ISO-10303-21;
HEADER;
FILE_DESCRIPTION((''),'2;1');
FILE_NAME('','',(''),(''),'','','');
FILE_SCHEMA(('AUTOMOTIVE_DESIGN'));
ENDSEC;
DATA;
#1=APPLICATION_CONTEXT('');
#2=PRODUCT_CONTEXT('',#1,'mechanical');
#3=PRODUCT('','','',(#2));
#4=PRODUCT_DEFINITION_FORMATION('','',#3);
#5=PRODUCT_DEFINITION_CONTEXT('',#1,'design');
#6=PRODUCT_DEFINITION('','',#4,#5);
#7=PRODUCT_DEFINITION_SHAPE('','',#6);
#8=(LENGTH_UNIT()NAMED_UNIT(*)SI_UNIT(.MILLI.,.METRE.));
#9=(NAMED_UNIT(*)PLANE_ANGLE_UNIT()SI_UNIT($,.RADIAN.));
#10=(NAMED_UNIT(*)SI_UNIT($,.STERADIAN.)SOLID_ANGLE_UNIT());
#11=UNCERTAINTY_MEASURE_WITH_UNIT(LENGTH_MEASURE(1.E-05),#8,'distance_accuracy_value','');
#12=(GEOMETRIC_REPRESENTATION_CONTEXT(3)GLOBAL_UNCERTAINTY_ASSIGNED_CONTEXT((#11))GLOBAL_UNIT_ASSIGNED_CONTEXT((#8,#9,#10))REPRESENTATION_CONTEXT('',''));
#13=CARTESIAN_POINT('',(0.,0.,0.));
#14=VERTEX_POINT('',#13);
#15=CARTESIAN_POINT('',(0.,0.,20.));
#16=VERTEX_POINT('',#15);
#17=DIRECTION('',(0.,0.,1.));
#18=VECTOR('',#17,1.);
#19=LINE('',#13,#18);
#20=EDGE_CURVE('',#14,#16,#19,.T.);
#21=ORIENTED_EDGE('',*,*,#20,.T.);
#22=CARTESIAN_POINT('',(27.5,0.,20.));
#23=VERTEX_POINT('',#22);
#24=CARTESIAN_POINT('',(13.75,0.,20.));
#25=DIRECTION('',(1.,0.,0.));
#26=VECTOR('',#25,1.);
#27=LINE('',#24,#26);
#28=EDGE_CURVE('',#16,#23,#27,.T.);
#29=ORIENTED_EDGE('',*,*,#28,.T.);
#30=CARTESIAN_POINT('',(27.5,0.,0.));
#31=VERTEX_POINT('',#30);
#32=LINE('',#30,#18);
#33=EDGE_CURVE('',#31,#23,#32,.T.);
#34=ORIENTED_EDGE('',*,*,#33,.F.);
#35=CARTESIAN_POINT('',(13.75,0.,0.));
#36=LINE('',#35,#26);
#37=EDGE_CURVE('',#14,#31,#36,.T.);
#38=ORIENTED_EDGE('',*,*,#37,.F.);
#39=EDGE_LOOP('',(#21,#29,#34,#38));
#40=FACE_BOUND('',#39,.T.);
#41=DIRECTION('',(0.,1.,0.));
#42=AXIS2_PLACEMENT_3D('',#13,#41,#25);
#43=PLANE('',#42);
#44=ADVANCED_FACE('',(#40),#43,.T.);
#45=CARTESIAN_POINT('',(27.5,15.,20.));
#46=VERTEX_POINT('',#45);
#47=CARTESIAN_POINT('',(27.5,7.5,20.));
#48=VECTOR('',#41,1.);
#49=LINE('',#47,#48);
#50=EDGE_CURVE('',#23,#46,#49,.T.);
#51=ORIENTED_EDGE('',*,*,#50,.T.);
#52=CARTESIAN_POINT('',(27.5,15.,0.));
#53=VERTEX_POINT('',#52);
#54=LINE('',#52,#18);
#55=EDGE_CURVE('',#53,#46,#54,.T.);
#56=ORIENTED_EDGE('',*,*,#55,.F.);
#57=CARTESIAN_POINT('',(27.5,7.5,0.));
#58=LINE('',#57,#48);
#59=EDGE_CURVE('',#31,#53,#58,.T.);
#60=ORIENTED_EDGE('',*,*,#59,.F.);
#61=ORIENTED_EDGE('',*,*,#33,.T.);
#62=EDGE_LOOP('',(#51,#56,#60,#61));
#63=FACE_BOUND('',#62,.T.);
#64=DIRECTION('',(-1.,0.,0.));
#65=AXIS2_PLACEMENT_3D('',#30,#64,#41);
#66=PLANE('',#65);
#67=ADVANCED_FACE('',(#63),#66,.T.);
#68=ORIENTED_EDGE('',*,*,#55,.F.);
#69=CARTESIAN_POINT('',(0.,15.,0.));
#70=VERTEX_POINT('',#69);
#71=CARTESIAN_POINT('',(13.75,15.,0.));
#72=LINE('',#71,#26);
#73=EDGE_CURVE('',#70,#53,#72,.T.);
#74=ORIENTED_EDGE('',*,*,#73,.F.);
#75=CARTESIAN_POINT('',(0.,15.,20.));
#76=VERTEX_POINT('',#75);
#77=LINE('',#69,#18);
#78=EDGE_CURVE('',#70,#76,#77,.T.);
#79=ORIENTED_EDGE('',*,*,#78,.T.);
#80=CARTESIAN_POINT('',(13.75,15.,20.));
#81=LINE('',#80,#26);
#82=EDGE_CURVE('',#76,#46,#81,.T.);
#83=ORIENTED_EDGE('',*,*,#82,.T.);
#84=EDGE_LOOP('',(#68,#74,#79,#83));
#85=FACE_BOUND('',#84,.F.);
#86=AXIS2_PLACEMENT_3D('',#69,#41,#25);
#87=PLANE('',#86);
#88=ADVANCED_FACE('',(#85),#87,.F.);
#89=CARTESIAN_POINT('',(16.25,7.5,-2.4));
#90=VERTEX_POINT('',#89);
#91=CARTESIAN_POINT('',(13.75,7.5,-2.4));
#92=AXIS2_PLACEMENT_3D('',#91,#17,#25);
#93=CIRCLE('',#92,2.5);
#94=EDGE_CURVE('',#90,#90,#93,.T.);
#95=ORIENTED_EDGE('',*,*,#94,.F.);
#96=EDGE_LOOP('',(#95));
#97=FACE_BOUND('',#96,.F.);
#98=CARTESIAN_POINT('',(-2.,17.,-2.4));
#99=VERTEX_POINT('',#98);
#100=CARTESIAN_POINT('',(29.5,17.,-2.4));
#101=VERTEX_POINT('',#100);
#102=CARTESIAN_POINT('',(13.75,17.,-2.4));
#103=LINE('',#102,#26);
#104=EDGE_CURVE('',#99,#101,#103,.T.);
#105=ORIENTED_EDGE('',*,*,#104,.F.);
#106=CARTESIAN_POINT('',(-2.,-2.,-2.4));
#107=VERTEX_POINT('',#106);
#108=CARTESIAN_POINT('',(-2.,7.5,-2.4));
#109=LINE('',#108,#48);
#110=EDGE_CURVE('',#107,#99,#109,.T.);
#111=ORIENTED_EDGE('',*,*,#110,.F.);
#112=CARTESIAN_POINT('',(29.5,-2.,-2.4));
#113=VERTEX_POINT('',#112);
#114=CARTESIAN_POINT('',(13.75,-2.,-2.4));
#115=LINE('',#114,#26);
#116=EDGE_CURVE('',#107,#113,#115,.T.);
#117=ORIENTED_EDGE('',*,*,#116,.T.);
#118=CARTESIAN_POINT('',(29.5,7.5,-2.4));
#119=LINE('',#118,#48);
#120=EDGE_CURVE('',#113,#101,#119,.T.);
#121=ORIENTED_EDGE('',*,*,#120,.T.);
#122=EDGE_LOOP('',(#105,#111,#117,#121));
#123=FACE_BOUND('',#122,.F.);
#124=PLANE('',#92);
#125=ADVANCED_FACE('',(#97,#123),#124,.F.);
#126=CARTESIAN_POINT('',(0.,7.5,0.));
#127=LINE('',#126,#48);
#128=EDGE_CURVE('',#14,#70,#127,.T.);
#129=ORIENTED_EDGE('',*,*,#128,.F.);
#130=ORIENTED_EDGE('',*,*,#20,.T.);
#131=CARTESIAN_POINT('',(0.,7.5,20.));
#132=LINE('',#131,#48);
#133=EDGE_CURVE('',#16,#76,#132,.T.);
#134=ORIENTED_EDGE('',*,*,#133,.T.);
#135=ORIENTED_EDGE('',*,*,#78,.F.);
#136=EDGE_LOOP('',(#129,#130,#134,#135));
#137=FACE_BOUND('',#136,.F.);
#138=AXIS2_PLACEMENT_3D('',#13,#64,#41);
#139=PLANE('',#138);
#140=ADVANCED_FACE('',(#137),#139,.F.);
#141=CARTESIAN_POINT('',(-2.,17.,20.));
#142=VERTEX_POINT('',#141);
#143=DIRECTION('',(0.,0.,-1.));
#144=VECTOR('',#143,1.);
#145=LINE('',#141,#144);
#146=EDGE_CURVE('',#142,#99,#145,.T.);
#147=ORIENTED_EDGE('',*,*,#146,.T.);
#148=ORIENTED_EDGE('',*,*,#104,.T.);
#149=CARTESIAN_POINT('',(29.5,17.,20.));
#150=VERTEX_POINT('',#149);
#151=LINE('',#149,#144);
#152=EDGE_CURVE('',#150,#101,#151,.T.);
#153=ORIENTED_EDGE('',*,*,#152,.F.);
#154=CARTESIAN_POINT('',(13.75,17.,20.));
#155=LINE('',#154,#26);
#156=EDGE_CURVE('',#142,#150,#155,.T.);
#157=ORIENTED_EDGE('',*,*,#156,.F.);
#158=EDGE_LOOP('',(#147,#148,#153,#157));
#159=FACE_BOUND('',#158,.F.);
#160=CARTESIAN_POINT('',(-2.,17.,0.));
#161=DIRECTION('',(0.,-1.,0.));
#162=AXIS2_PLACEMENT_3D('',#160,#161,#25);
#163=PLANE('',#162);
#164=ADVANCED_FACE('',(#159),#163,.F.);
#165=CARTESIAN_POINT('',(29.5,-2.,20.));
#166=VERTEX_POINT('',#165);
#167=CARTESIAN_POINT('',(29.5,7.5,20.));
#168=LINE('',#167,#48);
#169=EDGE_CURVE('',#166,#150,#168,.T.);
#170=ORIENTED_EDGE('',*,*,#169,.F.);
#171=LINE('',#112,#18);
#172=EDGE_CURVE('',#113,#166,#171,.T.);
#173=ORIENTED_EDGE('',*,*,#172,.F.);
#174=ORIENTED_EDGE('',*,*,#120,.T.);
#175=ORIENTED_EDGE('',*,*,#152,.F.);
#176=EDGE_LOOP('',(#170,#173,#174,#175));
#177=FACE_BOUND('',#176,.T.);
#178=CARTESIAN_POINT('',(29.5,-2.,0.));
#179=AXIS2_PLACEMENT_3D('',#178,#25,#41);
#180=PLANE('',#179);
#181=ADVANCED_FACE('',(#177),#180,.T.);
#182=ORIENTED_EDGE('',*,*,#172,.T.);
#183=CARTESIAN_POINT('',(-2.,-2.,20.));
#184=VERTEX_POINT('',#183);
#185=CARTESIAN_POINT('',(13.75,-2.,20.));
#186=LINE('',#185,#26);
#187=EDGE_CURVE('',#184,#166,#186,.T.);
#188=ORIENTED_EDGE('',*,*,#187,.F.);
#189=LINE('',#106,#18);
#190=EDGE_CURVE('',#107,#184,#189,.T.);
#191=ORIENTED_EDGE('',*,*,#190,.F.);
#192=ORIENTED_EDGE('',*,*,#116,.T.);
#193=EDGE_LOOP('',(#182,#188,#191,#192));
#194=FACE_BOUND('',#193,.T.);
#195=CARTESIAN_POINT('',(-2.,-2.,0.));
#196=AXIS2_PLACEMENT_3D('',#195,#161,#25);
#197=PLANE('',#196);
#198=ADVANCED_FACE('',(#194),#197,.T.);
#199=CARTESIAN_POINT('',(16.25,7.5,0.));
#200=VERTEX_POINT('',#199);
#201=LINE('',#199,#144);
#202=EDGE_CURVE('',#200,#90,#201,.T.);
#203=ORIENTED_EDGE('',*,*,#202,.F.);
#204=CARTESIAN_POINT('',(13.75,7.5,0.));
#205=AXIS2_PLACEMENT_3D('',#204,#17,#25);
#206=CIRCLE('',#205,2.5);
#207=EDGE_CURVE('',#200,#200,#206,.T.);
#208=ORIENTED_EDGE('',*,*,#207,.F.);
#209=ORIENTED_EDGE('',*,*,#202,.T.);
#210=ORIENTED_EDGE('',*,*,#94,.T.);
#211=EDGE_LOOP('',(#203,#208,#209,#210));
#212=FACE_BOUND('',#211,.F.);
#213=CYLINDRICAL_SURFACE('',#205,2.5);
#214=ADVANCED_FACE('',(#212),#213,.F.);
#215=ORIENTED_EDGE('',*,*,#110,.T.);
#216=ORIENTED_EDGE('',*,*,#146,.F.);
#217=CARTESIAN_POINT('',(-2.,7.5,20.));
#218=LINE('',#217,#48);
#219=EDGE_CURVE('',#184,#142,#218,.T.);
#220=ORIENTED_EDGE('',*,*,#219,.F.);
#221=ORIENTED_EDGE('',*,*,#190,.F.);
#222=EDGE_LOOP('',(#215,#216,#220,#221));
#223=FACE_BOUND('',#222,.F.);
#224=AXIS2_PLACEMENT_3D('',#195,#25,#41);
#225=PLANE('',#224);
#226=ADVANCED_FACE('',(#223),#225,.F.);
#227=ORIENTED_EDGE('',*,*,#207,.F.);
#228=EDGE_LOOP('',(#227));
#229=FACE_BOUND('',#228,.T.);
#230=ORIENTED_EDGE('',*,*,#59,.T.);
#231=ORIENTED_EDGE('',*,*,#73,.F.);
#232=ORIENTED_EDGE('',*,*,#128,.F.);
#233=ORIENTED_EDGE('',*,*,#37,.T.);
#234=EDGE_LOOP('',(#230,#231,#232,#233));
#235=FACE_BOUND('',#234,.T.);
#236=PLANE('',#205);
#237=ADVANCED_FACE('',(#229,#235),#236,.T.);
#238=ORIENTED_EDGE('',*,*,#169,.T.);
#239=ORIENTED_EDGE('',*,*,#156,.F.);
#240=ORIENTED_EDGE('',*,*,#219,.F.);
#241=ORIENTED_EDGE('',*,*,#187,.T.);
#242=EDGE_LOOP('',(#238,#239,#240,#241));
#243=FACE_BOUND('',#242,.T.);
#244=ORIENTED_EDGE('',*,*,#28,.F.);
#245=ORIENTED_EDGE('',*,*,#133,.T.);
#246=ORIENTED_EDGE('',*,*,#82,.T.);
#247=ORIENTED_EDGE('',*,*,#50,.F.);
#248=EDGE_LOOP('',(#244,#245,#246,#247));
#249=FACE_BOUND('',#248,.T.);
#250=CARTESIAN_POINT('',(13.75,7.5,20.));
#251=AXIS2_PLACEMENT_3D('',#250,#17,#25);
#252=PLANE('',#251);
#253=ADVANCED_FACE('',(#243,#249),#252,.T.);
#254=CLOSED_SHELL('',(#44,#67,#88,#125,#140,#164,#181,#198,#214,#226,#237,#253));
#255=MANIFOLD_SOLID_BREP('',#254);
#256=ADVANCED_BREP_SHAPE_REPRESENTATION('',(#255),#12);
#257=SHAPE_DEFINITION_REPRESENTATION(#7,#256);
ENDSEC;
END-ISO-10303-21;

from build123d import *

# Parameters (mm, degrees)
F0_W     = 31.5
F0_H     = 19
F0_W_2   = 27.5
F0_H_2   = 15
F1_DEPTH = 20
F0_R     = 2.5
F2_DEPTH = 2.4


with BuildPart() as f1:
    # F0 (on Top) → F1 (new body)
    with BuildSketch(Plane.XY):
        with Locations((13.75, 7.5)):
            Rectangle(F0_W, F0_H)
        with Locations((13.75, 7.5)):
            Rectangle(F0_W_2, F0_H_2, mode=Mode.SUBTRACT)
    extrude(amount=F1_DEPTH)

    # F0 (on Top) → F2 (join)
    with BuildSketch(Plane.XY):
        with Locations((13.75, 7.5)):
            Rectangle(F0_W, F0_H)
        with Locations((13.75, 7.5)):
            Rectangle(F0_W_2, F0_H_2, mode=Mode.SUBTRACT)
        with Locations((13.75, 7.5)):
            Rectangle(F0_W_2, F0_H_2)
        with Locations((13.75, 7.5)):
            Circle(F0_R, mode=Mode.SUBTRACT)
    extrude(amount=-F2_DEPTH)


solid = f1.part
